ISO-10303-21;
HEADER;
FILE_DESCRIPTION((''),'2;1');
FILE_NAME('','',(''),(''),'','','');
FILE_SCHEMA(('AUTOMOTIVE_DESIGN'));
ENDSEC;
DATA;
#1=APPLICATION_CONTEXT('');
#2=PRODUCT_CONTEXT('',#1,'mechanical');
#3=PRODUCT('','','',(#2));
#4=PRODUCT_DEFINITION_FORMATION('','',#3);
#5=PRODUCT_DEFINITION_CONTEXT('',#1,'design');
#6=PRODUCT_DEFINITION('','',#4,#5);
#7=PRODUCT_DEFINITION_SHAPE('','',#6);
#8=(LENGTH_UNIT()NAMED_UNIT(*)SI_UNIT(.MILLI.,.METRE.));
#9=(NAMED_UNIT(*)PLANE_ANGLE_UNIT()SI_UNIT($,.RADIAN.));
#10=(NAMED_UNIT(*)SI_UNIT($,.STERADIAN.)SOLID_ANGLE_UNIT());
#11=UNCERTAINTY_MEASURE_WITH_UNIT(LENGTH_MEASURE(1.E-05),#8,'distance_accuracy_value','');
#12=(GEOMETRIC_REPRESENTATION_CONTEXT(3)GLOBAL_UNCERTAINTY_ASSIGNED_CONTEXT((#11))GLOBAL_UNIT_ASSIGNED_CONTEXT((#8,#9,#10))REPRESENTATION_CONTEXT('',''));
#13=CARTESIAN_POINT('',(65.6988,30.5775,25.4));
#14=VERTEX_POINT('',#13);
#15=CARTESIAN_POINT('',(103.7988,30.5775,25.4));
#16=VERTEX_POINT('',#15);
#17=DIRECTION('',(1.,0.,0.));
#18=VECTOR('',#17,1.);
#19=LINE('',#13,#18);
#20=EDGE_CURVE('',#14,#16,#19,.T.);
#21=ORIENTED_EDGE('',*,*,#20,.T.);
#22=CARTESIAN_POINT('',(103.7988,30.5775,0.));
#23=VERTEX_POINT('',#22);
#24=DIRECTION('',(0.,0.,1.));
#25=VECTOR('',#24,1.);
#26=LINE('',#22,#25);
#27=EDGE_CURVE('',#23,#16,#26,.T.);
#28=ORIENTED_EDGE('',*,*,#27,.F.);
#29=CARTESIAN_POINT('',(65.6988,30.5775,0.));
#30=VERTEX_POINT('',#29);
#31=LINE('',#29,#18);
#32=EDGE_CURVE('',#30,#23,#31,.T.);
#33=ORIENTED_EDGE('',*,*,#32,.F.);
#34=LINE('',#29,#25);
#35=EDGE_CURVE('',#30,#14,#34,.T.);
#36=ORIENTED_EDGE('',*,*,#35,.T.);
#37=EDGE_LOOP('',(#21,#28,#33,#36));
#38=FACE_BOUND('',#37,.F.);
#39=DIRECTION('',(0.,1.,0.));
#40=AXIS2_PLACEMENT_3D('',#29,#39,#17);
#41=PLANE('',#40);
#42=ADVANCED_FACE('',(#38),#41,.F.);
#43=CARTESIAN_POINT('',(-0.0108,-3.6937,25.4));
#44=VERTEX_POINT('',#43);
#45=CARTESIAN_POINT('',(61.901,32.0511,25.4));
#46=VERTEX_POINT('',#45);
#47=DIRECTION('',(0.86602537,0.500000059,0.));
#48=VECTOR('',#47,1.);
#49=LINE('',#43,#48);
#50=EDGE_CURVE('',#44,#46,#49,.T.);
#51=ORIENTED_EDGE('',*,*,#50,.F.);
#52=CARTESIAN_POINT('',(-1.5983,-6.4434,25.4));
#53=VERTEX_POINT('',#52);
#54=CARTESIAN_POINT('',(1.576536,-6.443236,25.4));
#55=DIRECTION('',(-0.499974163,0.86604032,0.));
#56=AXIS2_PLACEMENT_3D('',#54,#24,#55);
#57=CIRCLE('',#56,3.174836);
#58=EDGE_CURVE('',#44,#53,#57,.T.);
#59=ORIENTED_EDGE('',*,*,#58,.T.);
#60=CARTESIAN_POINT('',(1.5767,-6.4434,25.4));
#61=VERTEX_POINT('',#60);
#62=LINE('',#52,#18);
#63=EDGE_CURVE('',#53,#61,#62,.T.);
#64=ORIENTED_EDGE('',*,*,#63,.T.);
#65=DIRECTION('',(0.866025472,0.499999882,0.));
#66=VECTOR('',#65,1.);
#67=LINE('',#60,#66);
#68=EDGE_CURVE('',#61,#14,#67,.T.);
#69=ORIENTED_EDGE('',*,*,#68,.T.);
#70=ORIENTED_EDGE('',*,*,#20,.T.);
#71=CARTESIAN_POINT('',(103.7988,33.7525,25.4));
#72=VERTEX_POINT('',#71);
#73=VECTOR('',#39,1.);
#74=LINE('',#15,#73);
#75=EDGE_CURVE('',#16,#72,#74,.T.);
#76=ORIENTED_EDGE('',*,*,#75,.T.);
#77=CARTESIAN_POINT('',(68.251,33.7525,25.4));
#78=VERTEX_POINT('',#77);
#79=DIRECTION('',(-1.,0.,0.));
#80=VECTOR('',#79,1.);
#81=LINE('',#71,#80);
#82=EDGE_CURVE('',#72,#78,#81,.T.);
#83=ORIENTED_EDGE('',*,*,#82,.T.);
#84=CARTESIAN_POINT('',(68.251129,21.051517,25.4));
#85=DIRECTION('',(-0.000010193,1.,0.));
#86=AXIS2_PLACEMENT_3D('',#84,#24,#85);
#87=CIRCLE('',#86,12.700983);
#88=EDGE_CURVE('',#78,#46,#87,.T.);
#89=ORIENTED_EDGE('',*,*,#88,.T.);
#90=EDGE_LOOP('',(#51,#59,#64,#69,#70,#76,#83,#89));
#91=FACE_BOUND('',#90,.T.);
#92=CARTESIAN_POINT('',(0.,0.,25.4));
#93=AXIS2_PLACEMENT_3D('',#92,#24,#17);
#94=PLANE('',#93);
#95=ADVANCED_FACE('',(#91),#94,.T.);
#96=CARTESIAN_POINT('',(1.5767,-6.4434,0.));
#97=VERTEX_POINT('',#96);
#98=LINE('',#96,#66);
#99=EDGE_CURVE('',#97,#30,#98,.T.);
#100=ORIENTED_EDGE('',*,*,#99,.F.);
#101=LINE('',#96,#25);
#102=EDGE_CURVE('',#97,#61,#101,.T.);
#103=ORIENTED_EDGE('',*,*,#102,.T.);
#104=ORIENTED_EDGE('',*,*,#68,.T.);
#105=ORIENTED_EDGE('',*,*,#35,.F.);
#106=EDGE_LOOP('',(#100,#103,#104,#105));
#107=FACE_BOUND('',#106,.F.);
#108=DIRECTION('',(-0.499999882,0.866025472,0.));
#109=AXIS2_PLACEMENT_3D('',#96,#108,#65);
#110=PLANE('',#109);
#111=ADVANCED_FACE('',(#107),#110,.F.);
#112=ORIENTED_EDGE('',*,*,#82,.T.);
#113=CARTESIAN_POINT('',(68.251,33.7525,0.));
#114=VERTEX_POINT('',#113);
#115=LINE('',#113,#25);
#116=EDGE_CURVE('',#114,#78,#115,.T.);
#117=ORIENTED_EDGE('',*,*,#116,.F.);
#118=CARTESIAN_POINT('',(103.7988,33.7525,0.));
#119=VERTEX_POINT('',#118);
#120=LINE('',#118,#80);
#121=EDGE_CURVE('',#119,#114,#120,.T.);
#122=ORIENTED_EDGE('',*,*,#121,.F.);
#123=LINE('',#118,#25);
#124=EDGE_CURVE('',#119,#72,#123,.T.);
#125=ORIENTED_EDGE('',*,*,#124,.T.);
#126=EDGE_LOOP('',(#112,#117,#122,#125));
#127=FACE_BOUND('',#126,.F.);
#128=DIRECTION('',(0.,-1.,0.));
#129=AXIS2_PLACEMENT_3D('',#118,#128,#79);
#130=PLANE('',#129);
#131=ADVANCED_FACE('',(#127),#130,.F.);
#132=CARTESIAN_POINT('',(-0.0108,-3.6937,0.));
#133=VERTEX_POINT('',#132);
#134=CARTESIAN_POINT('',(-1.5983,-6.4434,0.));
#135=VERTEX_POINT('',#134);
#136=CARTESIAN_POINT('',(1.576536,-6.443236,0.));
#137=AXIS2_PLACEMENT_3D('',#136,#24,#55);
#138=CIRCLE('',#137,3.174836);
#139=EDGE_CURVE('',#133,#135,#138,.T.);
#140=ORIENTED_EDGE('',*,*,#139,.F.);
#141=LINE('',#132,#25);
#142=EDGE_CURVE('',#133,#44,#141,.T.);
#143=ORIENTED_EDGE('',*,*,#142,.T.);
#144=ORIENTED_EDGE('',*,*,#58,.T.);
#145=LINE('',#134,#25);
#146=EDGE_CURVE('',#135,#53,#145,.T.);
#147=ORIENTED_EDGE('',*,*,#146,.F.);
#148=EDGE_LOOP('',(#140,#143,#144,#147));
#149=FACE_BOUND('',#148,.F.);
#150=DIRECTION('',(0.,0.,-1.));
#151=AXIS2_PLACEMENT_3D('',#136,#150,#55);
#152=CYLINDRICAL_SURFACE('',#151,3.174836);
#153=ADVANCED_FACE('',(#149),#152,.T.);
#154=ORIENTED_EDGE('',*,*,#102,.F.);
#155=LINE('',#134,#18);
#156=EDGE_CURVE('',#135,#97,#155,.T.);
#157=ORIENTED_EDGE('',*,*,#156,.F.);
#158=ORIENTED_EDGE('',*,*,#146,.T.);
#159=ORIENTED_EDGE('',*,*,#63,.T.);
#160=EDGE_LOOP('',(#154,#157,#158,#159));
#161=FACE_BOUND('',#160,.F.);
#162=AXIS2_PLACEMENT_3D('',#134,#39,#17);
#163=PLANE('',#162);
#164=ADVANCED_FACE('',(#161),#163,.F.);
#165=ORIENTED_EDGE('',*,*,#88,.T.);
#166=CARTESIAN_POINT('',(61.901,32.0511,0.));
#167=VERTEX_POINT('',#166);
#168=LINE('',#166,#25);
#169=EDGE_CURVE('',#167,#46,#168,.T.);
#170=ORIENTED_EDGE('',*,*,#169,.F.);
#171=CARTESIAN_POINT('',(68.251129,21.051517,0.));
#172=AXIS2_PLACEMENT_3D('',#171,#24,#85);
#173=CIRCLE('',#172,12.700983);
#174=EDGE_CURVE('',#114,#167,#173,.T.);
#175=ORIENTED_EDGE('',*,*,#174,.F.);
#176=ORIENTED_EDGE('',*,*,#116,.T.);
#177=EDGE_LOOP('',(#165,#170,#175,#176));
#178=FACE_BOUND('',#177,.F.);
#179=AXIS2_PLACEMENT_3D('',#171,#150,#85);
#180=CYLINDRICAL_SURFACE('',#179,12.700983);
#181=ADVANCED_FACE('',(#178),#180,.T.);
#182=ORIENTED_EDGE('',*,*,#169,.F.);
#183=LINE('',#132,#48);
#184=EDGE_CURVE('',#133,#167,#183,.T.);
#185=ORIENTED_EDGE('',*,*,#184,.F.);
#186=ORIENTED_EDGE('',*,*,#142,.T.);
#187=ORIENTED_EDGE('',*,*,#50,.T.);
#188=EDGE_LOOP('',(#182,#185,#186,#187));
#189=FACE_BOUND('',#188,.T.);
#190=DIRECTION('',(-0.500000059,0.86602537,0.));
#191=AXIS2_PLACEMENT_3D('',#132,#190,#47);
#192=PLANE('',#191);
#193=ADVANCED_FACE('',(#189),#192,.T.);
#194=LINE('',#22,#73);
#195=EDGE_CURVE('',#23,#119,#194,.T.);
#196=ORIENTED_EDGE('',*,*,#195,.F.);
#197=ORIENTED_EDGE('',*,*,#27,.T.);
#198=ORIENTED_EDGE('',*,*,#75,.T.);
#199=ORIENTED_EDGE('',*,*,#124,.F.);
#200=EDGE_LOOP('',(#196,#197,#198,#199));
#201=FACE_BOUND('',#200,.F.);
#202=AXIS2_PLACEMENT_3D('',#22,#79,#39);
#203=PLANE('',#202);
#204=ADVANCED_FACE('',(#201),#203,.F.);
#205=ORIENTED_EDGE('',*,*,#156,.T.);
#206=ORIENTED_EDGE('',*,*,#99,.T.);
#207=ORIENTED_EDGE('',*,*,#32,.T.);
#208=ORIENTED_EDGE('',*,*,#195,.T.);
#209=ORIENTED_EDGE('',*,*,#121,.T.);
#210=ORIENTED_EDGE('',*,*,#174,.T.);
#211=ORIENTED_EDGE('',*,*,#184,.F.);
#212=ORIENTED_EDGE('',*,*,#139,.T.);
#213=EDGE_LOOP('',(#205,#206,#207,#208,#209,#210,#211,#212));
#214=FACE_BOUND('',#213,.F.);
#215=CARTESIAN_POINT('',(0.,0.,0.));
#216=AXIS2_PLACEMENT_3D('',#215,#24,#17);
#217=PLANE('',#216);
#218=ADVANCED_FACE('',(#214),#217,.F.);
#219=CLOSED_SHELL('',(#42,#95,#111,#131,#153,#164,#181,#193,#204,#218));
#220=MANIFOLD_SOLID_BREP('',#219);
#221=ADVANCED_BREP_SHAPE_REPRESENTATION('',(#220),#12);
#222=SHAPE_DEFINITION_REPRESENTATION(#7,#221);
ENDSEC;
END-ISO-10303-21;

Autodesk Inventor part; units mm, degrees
ref_plane "YZ Plane" through (0, 0, 0) normal (1, 0, 0) x (0, 1, 0)
ref_plane "XZ Plane" through (0, 0, 0) normal (0, 1, 0) x (-1, 0, 0)
ref_plane "XY Plane" through (0, 0, 0) normal (0, 0, 1) x (1, 0, 0)
sketch "Sketch1" plane through (0, 0, 0) normal (0, 0, 1) x (1, 0, 0)
  line L0 (-1.5983, -6.4434) -> (1.5767, -6.4434)
  line L1 (1.5767, -6.4434) -> (65.6988, 30.5775)
  line L2 (65.6988, 30.5775) -> (103.7988, 30.5775)
  line L3 (103.7988, 30.5775) -> (103.7988, 33.7525)
  line L4 (103.7988, 33.7525) -> (68.251, 33.7525)
  line L5 (-1.5983, -6.4434) -> (-1.5983, -6.4434)
  line L6 (-0.0108, -3.6937) -> (61.901, 32.0511)
  arc A0 (-0.0108, -3.6937) -> (-1.5983, -6.4434) centre (1.5767, -6.4434) ccw
  arc A1 (68.251, 33.7525) -> (61.901, 32.0511) centre (68.251, 21.0525) ccw
  dimension "d0" = 3.175
  dimension "d1" = 150
  dimension "d2" = 74.0418
  dimension "d3" = 38.1
  dimension "d5" = 3.175
  dimension "d6" = 3.175
  dimension "d7" = 3.175
  dimension "d8" = 12.7
extrude "Extrusion1" add sketch "Sketch1" along normal blind 25.4
sketch "Sketch2" plane through (68.251, 33.7525, 0) normal (0, 1, 0) x (1, 0, 0)
  line L0 (269.8757, -21.59) -> (269.8757, -12.7762) projected
  line L1 (252.8944, -12.7762) -> (269.8757, -12.7762) projected
  line L2 (227.4944, -12.7762) -> (248.757, -12.7762) projected
  line L3 (202.0944, -12.7762) -> (223.357, -12.7762) projected
  line L4 (176.6944, -12.7762) -> (197.957, -12.7762) projected
  line L5 (151.2944, -12.7762) -> (172.557, -12.7762) projected
  line L6 (125.8944, -12.7762) -> (147.157, -12.7762) projected
  line L7 (100.4944, -12.7762) -> (121.757, -12.7762) projected
  line L8 (75.0944, -12.7762) -> (96.357, -12.7762) projected
  line L9 (49.6944, -12.7762) -> (70.957, -12.7762) projected
  line L10 (24.2944, -12.7762) -> (45.557, -12.7762) projected
  line L11 (-1.1056, -12.7762) -> (20.157, -12.7762) projected
  line L12 (-22.8122, -12.7762) -> (-22.8122, -25.4) projected
  line L13 (-22.8122, -25.4) -> (676.8636, -25.4) projected
  line L14 (676.8636, -25.4) -> (676.8636, -12.7762) projected
  line L15 (633.8944, -12.7762) -> (655.157, -12.7762) projected
  line L16 (608.4944, -12.7762) -> (629.757, -12.7762) projected
  line L17 (583.0944, -12.7762) -> (604.357, -12.7762) projected
  line L18 (557.6944, -12.7762) -> (578.957, -12.7762) projected
  line L19 (532.2944, -12.7762) -> (553.557, -12.7762) projected
  line L20 (506.8944, -12.7762) -> (528.157, -12.7762) projected
  line L21 (481.4944, -12.7762) -> (502.757, -12.7762) projected
  line L22 (456.0944, -12.7762) -> (477.357, -12.7762) projected
  line L23 (430.6944, -12.7762) -> (451.957, -12.7762) projected
  line L24 (405.2944, -12.7762) -> (426.557, -12.7762) projected
  line L25 (384.1757, -12.7762) -> (401.157, -12.7762) projected
  line L26 (384.1757, -12.7762) -> (384.1757, -21.59) projected
  line L27 (384.1757, -21.59) -> (269.8757, -21.59) projected
  line L28 (-22.8122, -12.7762) -> (-5.243, -12.7762) projected
  line L29 (659.2944, -12.7762) -> (676.8636, -12.7762) projected
  arc A0 (248.757, -12.7762) -> (252.8944, -12.7762) centre (250.8257, -12.7) ccw projected
  arc A1 (223.357, -12.7762) -> (227.4944, -12.7762) centre (225.4257, -12.7) ccw projected
  arc A2 (197.957, -12.7762) -> (202.0944, -12.7762) centre (200.0257, -12.7) ccw projected
  arc A3 (172.557, -12.7762) -> (176.6944, -12.7762) centre (174.6257, -12.7) ccw projected
  arc A4 (147.157, -12.7762) -> (151.2944, -12.7762) centre (149.2257, -12.7) ccw projected
  arc A5 (121.757, -12.7762) -> (125.8944, -12.7762) centre (123.8257, -12.7) ccw projected
  arc A6 (96.357, -12.7762) -> (100.4944, -12.7762) centre (98.4257, -12.7) ccw projected
  arc A7 (70.957, -12.7762) -> (75.0944, -12.7762) centre (73.0257, -12.7) ccw projected
  arc A8 (45.557, -12.7762) -> (49.6944, -12.7762) centre (47.6257, -12.7) ccw projected
  arc A9 (20.157, -12.7762) -> (24.2944, -12.7762) centre (22.2257, -12.7) ccw projected
  arc A10 (629.757, -12.7762) -> (633.8944, -12.7762) centre (631.8257, -12.7) ccw projected
  arc A11 (604.357, -12.7762) -> (608.4944, -12.7762) centre (606.4257, -12.7) ccw projected
  arc A12 (578.957, -12.7762) -> (583.0944, -12.7762) centre (581.0257, -12.7) ccw projected
  arc A13 (553.557, -12.7762) -> (557.6944, -12.7762) centre (555.6257, -12.7) ccw projected
  arc A14 (528.157, -12.7762) -> (532.2944, -12.7762) centre (530.2257, -12.7) ccw projected
  arc A15 (502.757, -12.7762) -> (506.8944, -12.7762) centre (504.8257, -12.7) ccw projected
  arc A16 (477.357, -12.7762) -> (481.4944, -12.7762) centre (479.4257, -12.7) ccw projected
  arc A17 (451.957, -12.7762) -> (456.0944, -12.7762) centre (454.0257, -12.7) ccw projected
  arc A18 (426.557, -12.7762) -> (430.6944, -12.7762) centre (428.6257, -12.7) ccw projected
  arc A19 (401.157, -12.7762) -> (405.2944, -12.7762) centre (403.2257, -12.7) ccw projected
  arc A20 (-5.243, -12.7762) -> (-1.1056, -12.7762) centre (-3.1743, -12.7) ccw projected
  arc A21 (655.157, -12.7762) -> (659.2944, -12.7762) centre (657.2257, -12.7) ccw projected
  point P0 (-68.251, 0)
hole "Hole1" [suppressed]
properties part number "C14_TK_SlamRampConcept"
